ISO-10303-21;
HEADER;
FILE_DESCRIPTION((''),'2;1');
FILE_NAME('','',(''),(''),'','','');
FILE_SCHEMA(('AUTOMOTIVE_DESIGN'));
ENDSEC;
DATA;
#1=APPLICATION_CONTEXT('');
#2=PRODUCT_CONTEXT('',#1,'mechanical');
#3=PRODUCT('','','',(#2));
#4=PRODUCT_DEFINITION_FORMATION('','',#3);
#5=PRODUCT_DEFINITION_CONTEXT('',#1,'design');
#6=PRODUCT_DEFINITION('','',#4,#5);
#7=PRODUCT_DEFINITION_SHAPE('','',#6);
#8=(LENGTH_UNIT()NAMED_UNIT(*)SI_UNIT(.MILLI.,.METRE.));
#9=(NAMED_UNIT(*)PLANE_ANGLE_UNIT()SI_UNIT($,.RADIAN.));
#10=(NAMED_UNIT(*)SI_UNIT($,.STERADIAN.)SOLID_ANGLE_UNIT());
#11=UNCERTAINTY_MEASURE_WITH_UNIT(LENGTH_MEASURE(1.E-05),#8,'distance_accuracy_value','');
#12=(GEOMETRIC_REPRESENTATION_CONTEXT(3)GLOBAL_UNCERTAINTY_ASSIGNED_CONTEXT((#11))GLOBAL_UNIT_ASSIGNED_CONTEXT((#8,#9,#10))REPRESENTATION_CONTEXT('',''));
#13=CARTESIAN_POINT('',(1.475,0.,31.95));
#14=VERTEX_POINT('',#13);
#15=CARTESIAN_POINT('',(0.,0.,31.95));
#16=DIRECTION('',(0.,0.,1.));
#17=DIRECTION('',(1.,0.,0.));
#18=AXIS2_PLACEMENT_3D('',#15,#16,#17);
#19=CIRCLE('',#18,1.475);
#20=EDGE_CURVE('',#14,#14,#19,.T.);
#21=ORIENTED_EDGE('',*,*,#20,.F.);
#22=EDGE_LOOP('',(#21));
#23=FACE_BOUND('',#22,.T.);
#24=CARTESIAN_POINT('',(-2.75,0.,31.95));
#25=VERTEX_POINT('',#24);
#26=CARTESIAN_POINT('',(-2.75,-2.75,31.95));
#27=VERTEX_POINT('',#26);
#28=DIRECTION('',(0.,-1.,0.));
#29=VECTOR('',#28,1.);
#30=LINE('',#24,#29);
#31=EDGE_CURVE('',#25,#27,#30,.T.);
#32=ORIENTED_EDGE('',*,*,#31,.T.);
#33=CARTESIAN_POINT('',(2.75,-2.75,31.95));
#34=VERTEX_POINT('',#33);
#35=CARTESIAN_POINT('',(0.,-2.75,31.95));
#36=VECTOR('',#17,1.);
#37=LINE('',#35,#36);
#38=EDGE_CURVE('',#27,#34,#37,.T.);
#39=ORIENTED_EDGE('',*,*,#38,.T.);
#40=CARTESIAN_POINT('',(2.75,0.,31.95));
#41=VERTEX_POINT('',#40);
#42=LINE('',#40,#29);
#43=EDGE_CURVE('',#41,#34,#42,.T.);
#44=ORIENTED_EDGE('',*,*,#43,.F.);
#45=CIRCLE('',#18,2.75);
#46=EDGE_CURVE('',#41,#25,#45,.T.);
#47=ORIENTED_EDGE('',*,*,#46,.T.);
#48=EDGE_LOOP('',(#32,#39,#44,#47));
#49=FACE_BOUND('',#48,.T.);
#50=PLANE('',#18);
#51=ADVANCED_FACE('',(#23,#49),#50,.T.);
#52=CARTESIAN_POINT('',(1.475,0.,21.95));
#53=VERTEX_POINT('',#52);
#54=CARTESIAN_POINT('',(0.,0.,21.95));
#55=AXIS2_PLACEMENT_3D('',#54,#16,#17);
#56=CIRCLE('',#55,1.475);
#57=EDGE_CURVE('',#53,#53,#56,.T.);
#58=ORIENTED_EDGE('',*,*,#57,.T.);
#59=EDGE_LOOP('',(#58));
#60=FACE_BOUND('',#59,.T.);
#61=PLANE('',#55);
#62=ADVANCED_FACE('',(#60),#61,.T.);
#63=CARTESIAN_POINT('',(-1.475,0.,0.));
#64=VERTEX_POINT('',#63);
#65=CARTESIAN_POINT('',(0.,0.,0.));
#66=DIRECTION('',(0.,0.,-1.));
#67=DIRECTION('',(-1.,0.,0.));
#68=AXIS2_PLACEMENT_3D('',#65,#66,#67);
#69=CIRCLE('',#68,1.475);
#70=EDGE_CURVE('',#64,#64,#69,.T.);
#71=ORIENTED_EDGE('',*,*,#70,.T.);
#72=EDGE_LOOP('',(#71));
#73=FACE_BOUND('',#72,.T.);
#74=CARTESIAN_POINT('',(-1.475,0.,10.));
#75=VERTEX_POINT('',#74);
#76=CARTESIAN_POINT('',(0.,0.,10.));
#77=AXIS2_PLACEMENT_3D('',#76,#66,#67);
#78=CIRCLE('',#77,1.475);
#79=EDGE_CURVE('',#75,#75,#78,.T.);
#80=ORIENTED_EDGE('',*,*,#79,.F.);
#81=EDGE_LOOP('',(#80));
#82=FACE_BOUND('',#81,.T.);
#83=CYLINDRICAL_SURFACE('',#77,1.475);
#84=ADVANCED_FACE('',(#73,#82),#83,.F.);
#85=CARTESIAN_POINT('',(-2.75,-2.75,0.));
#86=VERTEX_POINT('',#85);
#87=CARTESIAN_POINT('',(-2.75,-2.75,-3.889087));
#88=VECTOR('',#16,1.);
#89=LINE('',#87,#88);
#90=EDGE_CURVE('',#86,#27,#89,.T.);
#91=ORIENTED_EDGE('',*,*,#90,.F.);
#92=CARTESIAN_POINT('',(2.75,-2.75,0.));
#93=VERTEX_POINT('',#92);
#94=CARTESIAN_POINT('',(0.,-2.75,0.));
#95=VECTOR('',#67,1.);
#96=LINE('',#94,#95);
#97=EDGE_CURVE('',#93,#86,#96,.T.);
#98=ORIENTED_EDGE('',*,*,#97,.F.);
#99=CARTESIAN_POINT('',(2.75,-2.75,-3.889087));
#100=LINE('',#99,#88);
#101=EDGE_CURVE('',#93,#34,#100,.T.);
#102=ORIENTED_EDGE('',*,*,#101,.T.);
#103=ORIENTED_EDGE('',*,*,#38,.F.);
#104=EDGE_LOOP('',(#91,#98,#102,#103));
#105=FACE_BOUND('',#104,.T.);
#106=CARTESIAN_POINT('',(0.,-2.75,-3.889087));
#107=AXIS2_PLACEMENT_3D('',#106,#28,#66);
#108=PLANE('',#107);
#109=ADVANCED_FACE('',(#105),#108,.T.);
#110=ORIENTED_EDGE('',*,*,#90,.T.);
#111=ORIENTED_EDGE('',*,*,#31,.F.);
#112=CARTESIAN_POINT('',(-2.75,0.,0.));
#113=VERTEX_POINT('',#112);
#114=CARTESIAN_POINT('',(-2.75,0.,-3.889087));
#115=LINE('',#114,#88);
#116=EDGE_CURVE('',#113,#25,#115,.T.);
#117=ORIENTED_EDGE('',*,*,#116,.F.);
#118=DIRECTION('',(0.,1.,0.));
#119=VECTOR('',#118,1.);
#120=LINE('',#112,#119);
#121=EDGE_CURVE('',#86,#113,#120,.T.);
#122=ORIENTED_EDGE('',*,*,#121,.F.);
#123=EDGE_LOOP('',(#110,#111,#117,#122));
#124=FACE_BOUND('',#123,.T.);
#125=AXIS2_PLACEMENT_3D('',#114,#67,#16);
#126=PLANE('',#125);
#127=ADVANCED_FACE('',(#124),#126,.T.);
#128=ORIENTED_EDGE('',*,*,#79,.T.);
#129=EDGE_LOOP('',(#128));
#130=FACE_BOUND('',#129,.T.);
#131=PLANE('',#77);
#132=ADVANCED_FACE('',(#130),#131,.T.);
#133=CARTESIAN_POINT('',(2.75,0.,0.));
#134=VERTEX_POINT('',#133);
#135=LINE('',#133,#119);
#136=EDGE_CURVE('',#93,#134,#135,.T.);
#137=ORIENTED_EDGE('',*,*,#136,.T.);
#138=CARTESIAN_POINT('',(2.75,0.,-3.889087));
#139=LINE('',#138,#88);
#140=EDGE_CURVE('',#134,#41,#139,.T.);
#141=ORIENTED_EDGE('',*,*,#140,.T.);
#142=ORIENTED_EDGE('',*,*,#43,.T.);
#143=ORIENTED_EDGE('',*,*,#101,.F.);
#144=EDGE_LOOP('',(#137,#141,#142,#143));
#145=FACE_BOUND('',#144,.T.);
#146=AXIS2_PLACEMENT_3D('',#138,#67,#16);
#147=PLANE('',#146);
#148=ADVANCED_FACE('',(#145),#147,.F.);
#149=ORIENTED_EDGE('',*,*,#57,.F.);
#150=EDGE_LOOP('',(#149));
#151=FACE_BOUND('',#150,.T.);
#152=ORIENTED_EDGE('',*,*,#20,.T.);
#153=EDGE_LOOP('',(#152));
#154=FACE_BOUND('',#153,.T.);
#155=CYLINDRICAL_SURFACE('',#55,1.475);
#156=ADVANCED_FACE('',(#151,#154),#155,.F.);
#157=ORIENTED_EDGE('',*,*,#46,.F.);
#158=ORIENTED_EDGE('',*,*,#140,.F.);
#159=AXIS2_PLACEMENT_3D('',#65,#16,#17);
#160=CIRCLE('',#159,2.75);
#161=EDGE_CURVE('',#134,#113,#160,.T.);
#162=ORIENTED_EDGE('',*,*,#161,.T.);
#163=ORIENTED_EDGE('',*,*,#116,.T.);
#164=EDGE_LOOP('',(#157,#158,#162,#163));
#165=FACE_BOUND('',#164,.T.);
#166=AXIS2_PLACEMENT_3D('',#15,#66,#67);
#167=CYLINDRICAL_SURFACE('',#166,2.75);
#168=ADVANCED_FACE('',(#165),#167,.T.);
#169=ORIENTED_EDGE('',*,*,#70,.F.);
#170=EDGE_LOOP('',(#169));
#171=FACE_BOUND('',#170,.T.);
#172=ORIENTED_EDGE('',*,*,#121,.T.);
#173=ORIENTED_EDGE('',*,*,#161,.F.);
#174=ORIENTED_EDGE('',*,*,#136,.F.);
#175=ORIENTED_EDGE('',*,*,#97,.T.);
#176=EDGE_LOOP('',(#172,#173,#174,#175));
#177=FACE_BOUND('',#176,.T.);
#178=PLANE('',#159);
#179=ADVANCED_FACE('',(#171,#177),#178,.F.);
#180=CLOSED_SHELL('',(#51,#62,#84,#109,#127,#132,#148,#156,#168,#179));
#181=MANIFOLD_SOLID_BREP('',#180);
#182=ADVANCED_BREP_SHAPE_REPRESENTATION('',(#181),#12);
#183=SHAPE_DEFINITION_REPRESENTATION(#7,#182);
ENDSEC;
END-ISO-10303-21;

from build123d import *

# Parameters (mm, degrees)
SKETCH1_R           = 2.75
SKETCH1_R_2         = 1.475
BOSS_EXTRUDE1_DEPTH = 31.95
BOSS_EXTRUDE2_START = -31.95
BOSS_EXTRUDE2_DEPTH = 31.95
SKETCH3_R           = 1.475
BOSS_EXTRUDE3_DEPTH = 31.95
SKETCH4_R           = 1.475
CUT_EXTRUDE1_DEPTH  = 10
CUT_EXTRUDE2_START  = -10
SKETCH5_R           = 1.475
CUT_EXTRUDE2_DEPTH  = 10


with BuildPart() as part:
    # Sketch1 → Boss-Extrude1 (new body)
    with BuildSketch(Plane.XY):
        Circle(SKETCH1_R)
        Circle(SKETCH1_R_2, mode=Mode.SUBTRACT)
    extrude(amount=BOSS_EXTRUDE1_DEPTH)

    # Sketch2 → Boss-Extrude2 (add)
    with BuildSketch(Plane.XY.offset(31.95).offset(BOSS_EXTRUDE2_START)):
        with BuildLine():
            ThreePointArc((0, -2.75), (-1.944543648, -1.944543648), (-2.75, 0))
            Line((-2.75, 0), (-2.75, -2.75))
            Line((-2.75, -2.75), (0, -2.75))
        make_face()
        with BuildLine():
            Line((2.75, -2.75), (2.75, 0))
            ThreePointArc((2.75, 0), (1.944543648, -1.944543648), (0, -2.75))
            Line((0, -2.75), (2.75, -2.75))
        make_face()
    extrude(amount=BOSS_EXTRUDE2_DEPTH)

    # Sketch3 → Boss-Extrude3 (add)
    with BuildSketch(Plane(origin=(0, 0, 0), x_dir=(-1, 0, 0), z_dir=(0, 0, -1))):
        Circle(SKETCH3_R)
    extrude(amount=-BOSS_EXTRUDE3_DEPTH)

    # Sketch4 → Cut-Extrude1 (cut)
    with BuildSketch(Plane(origin=(0, 0, 0), x_dir=(-1, 0, 0), z_dir=(0, 0, -1))):
        Circle(SKETCH4_R)
    extrude(amount=-CUT_EXTRUDE1_DEPTH, mode=Mode.SUBTRACT)

    # Sketch5 → Cut-Extrude2 (cut)
    with BuildSketch(Plane.XY.offset(31.95).offset(CUT_EXTRUDE2_START)):
        with Locations(Location((0, 0, 0), (0, 0, 180))):
            Circle(SKETCH5_R)
    extrude(amount=CUT_EXTRUDE2_DEPTH, mode=Mode.SUBTRACT)


solid = part.part
